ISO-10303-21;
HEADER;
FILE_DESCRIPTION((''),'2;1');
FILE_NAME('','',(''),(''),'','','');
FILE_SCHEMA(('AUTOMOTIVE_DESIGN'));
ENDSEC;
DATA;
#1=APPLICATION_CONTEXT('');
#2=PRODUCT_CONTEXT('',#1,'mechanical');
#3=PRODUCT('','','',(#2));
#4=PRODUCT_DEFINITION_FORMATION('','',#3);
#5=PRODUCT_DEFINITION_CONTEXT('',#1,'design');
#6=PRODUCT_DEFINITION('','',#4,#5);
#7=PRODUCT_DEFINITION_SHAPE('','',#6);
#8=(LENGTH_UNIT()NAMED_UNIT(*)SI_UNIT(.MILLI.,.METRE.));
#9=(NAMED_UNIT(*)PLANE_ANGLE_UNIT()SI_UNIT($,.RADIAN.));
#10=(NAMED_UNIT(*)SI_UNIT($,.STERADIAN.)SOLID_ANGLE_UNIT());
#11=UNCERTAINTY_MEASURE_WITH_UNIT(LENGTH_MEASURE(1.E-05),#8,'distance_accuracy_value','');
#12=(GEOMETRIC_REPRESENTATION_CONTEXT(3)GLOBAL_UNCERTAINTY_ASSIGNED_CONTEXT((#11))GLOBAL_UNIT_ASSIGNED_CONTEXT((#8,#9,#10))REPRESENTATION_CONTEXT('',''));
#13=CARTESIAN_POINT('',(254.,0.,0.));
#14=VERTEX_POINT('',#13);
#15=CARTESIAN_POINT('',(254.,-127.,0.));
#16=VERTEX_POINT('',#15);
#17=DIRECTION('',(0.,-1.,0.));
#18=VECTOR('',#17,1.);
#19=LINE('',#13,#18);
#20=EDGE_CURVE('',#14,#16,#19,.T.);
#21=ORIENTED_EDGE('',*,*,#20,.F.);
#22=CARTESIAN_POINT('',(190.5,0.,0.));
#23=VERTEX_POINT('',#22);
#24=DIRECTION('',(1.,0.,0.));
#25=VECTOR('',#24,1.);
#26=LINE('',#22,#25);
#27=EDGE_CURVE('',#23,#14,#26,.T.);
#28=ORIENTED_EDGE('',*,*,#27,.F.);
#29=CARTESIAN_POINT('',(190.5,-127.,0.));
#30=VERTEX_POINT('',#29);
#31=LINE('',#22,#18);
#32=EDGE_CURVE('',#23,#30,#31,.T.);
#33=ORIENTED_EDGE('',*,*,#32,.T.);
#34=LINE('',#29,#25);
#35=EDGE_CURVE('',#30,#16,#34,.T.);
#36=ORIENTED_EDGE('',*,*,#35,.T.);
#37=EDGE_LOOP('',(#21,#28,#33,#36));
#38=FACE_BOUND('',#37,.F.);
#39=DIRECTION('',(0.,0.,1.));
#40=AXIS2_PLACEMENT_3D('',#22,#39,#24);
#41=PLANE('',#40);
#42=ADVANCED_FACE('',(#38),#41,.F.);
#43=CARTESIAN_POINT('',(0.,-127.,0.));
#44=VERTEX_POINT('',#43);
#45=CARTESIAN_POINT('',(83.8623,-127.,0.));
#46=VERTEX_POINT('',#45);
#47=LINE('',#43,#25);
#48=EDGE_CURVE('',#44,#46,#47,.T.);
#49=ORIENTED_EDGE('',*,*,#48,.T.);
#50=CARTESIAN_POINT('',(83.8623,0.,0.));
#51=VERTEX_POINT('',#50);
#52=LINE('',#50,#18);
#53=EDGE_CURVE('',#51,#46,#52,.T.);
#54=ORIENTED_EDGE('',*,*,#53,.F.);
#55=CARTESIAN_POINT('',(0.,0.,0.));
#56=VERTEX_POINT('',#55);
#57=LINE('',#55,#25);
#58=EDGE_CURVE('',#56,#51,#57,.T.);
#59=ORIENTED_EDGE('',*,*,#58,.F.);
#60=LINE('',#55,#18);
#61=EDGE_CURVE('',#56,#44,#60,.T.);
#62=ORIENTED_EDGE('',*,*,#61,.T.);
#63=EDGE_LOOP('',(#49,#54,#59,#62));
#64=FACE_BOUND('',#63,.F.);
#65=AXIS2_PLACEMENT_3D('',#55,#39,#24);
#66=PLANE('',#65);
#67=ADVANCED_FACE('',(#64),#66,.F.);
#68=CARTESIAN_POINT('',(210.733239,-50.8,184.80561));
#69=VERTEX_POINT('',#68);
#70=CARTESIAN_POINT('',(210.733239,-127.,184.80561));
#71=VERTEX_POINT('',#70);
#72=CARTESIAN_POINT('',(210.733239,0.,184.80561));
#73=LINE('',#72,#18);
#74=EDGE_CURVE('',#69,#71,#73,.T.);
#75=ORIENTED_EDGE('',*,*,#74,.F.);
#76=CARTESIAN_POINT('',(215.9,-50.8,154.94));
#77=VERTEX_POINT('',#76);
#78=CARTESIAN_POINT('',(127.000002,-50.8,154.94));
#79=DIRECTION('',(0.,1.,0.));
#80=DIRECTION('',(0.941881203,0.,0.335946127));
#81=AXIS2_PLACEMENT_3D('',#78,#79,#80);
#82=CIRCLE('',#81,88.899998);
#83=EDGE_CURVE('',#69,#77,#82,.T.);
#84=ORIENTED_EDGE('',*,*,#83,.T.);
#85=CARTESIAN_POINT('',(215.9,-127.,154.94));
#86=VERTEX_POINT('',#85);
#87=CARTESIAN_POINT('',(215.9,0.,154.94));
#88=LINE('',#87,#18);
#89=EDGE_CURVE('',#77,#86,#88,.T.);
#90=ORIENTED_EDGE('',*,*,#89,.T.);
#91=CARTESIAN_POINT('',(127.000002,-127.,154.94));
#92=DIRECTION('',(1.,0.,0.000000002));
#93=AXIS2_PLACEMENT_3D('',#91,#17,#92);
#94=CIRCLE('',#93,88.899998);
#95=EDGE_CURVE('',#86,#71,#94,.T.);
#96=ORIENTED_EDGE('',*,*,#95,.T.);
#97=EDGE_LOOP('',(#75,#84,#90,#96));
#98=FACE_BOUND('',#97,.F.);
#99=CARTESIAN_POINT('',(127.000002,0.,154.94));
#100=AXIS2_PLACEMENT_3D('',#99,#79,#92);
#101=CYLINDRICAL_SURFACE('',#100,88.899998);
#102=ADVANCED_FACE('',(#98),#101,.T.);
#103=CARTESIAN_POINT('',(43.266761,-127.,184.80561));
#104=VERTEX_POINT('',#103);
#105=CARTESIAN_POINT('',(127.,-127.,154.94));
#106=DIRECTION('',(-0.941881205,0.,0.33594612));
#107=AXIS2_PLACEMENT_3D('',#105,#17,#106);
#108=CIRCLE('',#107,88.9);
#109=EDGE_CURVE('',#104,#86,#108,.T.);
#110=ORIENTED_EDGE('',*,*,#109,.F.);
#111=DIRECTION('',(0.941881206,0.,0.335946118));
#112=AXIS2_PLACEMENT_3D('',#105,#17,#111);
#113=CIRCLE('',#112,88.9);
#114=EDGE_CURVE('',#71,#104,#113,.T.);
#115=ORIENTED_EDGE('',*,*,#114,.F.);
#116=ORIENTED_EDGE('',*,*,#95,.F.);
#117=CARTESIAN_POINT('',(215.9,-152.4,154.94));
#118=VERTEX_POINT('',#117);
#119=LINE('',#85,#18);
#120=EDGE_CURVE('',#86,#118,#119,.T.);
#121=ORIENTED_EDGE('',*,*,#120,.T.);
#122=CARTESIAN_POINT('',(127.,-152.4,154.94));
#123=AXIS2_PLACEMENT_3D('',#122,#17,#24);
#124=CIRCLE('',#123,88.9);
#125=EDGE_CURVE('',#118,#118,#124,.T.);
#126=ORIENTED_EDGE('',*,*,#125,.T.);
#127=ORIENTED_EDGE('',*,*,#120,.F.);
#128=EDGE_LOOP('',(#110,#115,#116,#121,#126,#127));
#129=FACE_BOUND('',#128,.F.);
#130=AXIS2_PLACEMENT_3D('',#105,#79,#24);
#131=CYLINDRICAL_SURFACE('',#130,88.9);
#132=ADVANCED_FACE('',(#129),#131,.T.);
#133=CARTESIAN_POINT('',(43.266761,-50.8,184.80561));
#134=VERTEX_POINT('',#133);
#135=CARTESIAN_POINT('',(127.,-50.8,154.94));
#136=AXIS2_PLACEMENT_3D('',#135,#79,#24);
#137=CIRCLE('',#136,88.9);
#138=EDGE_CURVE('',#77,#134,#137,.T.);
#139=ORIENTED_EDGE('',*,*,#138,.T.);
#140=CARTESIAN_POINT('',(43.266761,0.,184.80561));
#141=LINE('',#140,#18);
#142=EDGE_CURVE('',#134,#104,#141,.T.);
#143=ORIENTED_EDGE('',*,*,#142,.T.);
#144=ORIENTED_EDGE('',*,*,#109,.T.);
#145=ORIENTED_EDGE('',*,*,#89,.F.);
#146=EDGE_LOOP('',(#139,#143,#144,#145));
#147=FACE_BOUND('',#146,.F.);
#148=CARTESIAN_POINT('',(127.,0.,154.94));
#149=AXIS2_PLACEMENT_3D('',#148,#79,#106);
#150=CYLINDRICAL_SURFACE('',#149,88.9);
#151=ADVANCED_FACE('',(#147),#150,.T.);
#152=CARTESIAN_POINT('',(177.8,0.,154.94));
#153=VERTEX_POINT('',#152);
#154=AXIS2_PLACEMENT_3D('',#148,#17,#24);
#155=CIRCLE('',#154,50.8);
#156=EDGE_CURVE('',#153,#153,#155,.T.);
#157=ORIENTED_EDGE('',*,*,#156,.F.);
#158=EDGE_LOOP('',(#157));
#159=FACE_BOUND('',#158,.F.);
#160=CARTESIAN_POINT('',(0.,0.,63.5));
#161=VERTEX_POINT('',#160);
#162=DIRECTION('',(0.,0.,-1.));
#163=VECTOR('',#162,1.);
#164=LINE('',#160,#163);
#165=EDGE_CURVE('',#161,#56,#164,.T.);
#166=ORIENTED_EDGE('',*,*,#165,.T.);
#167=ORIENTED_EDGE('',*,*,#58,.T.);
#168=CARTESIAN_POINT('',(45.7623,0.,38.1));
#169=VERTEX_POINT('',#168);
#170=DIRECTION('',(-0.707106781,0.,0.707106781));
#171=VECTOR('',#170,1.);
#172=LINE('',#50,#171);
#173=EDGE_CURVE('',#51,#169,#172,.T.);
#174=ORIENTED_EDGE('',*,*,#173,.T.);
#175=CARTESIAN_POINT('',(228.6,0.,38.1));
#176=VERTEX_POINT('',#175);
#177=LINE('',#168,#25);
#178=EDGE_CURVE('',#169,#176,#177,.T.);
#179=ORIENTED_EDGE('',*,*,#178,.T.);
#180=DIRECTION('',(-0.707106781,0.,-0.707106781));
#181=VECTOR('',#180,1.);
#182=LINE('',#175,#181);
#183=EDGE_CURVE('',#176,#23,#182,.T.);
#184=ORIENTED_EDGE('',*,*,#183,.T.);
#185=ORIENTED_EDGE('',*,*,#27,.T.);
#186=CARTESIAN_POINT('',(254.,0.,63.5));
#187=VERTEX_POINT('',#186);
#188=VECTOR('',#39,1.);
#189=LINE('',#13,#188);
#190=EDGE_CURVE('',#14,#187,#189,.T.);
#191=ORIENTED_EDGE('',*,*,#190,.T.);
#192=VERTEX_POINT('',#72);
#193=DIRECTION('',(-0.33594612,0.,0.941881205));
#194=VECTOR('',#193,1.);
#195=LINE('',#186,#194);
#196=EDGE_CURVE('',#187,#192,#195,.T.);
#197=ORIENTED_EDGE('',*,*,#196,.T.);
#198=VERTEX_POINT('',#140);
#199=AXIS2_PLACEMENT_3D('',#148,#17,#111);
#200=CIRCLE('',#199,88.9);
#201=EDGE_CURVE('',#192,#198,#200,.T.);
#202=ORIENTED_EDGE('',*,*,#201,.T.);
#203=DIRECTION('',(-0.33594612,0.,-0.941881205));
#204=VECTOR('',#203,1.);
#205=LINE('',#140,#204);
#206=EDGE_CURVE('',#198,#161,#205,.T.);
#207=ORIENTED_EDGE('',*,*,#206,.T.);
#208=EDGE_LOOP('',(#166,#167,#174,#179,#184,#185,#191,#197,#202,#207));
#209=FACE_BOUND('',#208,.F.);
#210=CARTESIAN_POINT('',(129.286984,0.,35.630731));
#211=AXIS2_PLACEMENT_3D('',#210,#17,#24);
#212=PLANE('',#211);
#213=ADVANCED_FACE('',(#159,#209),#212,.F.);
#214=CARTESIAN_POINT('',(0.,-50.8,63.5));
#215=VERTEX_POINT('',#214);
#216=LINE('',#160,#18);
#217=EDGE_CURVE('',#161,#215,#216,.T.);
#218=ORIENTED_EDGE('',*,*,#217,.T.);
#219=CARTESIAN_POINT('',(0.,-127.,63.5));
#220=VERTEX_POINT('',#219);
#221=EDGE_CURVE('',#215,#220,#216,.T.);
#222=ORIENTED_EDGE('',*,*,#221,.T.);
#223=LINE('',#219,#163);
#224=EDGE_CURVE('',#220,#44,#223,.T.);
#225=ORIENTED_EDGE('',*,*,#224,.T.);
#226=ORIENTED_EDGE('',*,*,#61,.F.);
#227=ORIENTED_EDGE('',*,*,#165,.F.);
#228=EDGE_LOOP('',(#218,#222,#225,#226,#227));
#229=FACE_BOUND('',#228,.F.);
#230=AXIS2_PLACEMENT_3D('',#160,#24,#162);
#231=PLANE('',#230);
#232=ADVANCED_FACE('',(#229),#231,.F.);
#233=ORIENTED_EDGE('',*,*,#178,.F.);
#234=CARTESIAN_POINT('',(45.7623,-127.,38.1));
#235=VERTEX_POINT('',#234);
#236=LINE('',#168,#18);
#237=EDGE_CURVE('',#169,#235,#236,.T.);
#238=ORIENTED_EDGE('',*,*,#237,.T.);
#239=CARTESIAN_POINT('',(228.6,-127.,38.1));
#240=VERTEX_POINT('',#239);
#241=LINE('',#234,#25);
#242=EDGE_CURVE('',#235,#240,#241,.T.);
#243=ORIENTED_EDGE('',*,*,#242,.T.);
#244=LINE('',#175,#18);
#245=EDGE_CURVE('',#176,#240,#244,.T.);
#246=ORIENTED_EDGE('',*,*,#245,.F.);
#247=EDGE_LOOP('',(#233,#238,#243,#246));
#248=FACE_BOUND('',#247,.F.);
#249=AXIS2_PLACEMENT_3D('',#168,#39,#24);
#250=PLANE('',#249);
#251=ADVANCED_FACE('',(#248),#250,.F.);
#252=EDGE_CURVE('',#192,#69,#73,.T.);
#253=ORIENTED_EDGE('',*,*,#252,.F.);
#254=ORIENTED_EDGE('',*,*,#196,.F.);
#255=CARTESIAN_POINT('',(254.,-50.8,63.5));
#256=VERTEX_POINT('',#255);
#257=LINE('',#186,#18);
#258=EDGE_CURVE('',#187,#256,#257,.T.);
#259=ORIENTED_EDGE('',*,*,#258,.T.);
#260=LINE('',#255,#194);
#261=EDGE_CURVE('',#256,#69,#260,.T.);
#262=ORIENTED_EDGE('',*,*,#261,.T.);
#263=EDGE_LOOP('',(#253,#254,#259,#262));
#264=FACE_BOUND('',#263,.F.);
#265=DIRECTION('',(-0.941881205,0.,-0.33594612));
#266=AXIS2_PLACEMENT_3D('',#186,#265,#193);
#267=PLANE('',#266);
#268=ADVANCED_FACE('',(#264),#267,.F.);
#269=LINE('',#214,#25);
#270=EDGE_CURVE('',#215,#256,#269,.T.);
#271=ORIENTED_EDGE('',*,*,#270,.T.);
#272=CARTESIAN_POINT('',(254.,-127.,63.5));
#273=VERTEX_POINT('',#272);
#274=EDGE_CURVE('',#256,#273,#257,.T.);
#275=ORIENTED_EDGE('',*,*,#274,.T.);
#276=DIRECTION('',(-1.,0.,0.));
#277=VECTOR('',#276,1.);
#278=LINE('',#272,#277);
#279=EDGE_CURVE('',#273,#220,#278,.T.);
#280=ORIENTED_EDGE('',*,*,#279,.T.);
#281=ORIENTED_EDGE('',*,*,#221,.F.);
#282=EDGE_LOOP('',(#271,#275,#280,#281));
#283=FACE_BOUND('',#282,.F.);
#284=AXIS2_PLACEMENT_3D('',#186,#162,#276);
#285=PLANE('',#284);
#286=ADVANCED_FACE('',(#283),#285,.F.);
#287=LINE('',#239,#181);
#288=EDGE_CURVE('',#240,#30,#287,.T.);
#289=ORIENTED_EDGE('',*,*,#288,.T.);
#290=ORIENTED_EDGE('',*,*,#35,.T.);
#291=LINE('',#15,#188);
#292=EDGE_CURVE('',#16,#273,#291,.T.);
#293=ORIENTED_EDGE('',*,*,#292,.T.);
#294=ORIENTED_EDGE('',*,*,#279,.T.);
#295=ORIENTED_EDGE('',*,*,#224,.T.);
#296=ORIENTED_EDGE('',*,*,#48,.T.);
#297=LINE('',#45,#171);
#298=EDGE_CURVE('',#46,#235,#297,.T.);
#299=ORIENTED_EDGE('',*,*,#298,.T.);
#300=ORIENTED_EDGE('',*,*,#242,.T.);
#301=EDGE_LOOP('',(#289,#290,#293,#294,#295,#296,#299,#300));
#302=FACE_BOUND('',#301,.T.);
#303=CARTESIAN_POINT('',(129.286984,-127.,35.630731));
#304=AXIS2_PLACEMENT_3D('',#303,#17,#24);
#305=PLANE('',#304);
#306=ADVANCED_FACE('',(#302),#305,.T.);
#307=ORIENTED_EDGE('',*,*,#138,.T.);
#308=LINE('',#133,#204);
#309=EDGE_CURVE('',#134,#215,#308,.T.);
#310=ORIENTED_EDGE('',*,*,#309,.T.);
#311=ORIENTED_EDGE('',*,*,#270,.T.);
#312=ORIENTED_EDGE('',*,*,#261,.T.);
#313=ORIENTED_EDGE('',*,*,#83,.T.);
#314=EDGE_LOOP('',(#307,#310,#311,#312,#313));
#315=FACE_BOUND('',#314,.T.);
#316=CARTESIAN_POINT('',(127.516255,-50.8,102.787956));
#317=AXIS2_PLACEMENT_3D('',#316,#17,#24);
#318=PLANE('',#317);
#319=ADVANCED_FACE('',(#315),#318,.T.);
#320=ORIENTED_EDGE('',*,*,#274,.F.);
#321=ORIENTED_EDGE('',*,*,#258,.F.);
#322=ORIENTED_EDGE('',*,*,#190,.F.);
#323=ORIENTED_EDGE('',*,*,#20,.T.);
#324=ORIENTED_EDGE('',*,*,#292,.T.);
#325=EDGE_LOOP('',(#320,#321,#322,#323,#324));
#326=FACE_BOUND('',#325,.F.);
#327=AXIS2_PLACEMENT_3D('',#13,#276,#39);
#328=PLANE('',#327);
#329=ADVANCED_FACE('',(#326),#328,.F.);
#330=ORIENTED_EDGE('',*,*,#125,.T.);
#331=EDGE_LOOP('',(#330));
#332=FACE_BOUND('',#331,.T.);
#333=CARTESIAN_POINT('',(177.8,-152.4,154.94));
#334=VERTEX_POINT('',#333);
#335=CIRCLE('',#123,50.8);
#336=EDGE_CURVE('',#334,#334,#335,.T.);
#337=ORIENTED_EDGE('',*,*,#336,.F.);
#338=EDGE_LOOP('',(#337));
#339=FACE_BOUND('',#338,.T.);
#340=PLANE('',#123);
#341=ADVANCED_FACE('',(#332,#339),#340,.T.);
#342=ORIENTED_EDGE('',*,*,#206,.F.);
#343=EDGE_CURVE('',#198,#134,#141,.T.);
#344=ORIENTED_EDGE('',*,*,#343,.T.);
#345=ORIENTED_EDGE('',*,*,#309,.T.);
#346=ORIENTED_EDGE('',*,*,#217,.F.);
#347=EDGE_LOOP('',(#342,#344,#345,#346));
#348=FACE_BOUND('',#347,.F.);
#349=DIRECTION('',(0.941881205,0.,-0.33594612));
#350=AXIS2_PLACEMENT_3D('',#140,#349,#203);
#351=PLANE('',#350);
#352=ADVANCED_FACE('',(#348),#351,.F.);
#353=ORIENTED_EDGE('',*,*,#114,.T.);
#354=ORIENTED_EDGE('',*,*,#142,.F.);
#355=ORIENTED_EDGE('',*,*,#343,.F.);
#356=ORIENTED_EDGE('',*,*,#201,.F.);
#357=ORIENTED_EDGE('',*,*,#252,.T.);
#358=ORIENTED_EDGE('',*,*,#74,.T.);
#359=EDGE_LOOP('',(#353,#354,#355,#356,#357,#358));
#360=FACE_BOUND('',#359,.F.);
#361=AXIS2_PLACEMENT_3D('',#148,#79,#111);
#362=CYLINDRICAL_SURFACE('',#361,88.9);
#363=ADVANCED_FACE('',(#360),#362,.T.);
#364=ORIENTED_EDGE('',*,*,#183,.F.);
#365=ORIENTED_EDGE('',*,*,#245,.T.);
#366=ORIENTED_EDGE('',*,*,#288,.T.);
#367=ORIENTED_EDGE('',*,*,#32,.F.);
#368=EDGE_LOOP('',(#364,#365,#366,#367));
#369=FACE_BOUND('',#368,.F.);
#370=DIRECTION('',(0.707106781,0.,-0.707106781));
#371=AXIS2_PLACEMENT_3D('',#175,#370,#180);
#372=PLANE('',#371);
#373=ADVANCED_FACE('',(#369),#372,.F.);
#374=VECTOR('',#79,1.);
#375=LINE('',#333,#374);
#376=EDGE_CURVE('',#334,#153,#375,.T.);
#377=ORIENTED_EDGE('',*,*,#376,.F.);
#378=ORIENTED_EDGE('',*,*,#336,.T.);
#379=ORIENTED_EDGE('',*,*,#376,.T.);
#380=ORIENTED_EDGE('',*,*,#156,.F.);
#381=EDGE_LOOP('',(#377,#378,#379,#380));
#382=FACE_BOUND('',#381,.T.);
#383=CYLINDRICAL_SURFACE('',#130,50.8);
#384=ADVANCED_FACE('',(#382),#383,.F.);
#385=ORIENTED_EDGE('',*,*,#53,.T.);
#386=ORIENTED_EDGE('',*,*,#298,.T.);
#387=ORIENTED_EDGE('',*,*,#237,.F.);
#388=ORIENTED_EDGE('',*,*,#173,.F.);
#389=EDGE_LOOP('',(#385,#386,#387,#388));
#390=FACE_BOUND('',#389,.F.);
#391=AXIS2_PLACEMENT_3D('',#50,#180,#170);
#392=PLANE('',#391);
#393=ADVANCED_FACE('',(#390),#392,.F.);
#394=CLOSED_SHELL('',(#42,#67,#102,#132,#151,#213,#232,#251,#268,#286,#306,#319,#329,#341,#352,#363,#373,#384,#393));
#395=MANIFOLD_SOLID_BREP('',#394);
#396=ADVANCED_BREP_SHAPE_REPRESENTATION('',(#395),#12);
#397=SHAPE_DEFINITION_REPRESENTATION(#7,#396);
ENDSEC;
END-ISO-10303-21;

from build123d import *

# Parameters (mm, degrees)
F0_R        = 50.8
F1_DEPTH    = 127
F1_FACE_R   = 88.9
F1_FACE_R_2 = 50.8
F2_DEPTH    = 25.4
F3_DEPTH    = 50.8
F4_DEPTH    = 127


with BuildPart() as f1:
    # F0 (on Front) → F1 (new body)
    with BuildSketch(Plane.XZ):
        with BuildLine():
            ThreePointArc((210.733239, 184.80561), (127, 243.84), (43.266761, 184.80561))
            ThreePointArc((43.266761, 184.80561), (111.84538, 67.341213), (215.9, 154.94))
            ThreePointArc((215.9, 154.94), (214.598787, 170.09462), (210.733239, 184.80561))
        make_face()
        with Locations((127, 154.94)):
            Circle(F0_R, mode=Mode.SUBTRACT)
    extrude(amount=F1_DEPTH)

    # F1_face (on face) → F2 (join)
    with BuildSketch(Plane(origin=(127, -127, 154.94), x_dir=(1, 0, 0), z_dir=(0, -1, 0))):
        Circle(F1_FACE_R)
        Circle(F1_FACE_R_2, mode=Mode.SUBTRACT)
    extrude(amount=F2_DEPTH)

    # F0 (on Front) → F3 (join)
    with BuildSketch(Plane.XZ):
        with BuildLine():
            Line((43.266761, 184.80561), (0, 63.5))
            Line((0, 63.5), (254, 63.5))
            Line((254, 63.5), (210.733239, 184.80561))
            ThreePointArc((210.733239, 184.80561), (214.598787, 170.09462), (215.9, 154.94))
            ThreePointArc((215.9, 154.94), (111.84538, 67.341213), (43.266761, 184.80561))
        make_face()
    extrude(amount=F3_DEPTH)

    # F0 (on Front) → F4 (join)
    with BuildSketch(Plane.XZ):
        Polygon((0, 63.5), (0, 0), (83.8623, 0), (45.7623, 38.1), (228.6, 38.1), (190.5, 0), (254, 0), (254, 63.5), align=None)
    extrude(amount=F4_DEPTH)


solid = f1.part
